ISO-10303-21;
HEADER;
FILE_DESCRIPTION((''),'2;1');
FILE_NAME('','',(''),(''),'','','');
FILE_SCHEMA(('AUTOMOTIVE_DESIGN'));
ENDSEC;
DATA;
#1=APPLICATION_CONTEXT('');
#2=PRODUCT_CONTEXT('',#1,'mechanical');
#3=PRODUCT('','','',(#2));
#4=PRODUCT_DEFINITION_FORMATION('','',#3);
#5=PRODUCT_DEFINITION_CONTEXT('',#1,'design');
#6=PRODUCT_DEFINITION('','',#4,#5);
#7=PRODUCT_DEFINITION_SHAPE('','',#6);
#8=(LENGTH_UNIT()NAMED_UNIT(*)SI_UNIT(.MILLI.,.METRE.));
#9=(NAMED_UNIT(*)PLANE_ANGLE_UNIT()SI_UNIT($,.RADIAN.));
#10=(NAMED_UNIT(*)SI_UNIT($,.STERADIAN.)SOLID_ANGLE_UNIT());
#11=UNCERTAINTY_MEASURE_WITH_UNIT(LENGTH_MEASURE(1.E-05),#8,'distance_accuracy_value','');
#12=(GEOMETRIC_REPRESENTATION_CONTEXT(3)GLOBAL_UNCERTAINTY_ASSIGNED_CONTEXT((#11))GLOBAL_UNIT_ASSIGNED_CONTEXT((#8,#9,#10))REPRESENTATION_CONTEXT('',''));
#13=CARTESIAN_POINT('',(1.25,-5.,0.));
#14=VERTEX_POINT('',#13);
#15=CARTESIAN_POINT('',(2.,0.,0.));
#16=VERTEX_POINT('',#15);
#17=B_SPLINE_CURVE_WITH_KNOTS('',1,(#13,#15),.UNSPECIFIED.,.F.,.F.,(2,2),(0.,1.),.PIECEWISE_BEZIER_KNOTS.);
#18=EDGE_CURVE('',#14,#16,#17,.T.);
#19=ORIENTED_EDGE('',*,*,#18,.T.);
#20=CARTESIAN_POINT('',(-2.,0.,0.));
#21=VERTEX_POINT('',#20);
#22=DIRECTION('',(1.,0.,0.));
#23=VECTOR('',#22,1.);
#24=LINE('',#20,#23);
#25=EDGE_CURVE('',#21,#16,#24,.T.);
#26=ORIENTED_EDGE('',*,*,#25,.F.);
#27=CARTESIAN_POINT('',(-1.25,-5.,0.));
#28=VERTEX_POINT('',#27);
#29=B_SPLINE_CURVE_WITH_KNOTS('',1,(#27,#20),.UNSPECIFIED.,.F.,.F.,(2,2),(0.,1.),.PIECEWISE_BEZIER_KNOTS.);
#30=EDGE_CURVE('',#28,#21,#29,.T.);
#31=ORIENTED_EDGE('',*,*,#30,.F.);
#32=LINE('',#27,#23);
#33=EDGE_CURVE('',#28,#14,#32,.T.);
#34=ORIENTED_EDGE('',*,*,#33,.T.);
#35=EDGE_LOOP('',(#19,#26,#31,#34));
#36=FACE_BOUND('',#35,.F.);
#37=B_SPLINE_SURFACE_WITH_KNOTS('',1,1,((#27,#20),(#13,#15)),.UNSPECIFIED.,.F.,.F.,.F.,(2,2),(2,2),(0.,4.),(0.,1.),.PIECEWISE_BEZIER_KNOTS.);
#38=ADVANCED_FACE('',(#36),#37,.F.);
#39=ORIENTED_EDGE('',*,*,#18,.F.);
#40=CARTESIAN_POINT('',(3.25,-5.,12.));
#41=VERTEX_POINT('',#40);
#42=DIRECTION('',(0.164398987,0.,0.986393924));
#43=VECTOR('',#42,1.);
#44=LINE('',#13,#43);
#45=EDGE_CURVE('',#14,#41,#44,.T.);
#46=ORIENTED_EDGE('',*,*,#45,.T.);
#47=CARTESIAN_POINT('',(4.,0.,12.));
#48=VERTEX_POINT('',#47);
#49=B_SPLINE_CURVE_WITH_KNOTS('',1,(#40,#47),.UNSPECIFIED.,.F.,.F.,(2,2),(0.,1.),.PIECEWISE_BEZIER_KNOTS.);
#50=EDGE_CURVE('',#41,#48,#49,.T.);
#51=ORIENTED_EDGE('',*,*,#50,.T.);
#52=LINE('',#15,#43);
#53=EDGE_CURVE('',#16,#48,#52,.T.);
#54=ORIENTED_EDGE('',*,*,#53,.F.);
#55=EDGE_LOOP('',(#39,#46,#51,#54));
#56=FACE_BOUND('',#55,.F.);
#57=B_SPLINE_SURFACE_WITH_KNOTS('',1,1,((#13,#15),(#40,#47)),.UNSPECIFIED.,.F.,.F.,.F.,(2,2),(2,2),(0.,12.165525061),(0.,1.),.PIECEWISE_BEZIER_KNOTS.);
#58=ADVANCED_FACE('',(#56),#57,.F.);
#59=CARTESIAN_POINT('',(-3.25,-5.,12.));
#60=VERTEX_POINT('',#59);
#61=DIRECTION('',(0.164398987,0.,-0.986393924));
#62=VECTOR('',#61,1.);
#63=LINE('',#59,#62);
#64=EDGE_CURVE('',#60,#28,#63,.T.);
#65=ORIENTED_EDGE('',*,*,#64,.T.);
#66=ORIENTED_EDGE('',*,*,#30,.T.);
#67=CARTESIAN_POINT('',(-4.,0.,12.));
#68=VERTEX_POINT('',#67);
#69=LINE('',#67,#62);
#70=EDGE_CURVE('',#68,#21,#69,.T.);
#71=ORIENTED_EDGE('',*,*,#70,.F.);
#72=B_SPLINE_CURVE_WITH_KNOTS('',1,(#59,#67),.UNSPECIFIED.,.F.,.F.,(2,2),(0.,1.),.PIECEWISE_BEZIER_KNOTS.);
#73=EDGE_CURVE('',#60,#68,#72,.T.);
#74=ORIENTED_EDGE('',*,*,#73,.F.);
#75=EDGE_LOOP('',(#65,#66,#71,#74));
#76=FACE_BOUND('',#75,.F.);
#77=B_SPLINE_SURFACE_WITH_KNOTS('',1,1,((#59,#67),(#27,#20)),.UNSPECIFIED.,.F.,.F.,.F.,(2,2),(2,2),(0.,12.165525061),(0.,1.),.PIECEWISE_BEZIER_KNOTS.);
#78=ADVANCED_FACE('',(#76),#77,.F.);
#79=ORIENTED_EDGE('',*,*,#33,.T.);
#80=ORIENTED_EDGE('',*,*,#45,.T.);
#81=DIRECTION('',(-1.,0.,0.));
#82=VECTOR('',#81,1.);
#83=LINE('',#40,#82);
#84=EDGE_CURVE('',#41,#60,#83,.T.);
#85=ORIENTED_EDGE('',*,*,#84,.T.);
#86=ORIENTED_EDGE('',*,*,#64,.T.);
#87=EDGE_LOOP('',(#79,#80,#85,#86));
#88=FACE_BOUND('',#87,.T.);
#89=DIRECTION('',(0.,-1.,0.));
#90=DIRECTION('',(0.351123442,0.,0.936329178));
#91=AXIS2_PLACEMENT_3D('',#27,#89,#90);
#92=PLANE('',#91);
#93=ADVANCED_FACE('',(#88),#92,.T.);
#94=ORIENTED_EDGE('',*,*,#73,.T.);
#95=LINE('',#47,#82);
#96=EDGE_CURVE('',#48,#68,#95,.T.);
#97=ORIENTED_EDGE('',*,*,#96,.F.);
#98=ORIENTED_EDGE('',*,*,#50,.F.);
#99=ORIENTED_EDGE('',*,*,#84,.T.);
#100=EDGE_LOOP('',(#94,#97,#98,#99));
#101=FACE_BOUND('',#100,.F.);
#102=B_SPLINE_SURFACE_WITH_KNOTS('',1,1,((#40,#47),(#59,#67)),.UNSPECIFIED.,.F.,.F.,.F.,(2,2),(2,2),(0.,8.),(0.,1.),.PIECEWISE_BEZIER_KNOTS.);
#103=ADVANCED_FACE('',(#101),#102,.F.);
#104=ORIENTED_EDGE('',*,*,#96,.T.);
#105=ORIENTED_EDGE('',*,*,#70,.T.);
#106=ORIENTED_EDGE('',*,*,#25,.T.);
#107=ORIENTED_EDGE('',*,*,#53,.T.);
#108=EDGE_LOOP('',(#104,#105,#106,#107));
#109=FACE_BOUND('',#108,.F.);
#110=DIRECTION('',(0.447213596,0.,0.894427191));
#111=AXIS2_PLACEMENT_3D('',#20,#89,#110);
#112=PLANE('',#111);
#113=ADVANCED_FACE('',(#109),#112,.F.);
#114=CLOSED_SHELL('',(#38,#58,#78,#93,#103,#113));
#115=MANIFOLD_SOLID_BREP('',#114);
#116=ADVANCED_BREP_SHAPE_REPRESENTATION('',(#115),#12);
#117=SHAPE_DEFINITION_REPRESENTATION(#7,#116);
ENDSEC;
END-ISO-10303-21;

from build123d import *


with BuildPart() as f3:
    # F2 (on offset) → F3 section 0
    with BuildSketch(Plane.XZ.offset(5)):
        Polygon((-1.25, 0), (0, 0), (1.25, 0), (3.25, 12), (0, 12), (-3.25, 12), align=None)
    # F1 (on Front) → F3 section 1
    with BuildSketch(Plane.XZ):
        Polygon((4, 12), (0, 12), (-4, 12), (-2, 0), (0, 0), (2, 0), align=None)
    loft()


solid = f3.part
